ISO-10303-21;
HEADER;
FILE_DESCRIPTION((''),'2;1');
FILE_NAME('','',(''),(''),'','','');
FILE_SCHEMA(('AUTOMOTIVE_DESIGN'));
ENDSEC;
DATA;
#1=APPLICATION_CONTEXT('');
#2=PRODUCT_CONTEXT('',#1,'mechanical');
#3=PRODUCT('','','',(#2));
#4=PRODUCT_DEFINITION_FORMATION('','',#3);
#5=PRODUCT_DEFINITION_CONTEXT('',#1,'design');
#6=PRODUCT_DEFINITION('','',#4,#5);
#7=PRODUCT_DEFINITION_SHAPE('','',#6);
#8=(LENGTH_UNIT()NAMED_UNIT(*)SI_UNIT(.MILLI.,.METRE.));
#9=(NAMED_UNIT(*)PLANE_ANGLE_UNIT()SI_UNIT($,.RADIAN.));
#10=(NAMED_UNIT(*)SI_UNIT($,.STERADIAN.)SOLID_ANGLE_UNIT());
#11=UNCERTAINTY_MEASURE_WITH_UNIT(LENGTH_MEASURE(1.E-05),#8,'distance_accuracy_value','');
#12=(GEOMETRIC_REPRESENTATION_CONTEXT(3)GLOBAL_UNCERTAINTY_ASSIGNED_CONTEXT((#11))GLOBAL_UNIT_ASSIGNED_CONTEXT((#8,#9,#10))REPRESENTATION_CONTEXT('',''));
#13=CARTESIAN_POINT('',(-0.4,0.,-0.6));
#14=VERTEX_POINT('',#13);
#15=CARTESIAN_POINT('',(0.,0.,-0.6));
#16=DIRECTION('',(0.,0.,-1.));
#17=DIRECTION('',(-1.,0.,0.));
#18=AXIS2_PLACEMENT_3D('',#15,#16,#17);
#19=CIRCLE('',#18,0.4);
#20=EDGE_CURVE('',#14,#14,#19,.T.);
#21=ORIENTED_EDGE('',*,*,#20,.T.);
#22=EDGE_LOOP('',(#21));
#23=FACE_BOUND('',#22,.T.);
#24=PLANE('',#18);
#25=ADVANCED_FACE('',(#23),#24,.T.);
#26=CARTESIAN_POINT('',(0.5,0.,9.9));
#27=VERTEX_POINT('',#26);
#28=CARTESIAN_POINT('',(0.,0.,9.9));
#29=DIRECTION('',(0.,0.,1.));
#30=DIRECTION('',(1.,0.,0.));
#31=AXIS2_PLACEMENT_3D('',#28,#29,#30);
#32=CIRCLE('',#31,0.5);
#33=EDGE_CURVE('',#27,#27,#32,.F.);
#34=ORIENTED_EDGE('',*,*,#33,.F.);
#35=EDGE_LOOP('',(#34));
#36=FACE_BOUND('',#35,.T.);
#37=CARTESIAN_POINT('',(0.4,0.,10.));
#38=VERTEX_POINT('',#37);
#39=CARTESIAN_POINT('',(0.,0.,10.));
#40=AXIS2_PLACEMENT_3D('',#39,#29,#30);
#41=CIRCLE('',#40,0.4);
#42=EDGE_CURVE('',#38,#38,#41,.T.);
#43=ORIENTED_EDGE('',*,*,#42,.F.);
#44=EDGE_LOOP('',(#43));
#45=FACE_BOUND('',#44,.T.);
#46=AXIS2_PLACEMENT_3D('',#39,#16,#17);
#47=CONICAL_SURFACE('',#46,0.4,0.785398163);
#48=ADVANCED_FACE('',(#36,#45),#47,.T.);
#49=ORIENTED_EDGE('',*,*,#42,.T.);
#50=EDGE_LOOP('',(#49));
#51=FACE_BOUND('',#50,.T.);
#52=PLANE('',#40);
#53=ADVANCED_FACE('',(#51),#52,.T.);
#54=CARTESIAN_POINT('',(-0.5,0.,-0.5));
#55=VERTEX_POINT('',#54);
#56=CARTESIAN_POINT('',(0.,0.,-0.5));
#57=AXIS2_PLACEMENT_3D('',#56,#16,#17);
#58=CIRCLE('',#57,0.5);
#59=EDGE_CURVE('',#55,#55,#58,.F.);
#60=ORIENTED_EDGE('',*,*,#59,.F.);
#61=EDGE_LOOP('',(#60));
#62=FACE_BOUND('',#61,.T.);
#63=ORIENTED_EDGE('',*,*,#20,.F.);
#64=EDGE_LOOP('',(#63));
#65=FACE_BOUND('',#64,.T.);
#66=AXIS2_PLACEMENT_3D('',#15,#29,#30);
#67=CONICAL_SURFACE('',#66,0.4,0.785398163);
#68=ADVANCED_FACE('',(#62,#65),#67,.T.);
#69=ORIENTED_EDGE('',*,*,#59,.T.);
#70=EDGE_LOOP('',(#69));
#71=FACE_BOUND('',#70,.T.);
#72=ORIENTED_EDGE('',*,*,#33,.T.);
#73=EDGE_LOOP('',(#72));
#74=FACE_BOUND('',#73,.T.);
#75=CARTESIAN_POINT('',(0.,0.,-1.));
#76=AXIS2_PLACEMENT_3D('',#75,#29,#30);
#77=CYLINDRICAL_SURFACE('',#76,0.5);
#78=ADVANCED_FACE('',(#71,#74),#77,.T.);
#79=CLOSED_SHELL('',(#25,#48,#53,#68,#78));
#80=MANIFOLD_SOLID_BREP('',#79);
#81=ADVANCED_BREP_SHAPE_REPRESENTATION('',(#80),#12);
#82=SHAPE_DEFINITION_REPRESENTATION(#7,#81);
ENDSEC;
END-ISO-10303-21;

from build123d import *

# Parameters (mm, degrees)
EXTRUDE_1_DEPTH      = 10
EXTRUDE_1_DEPTH_BACK = 1
SKETCH_1_R           = 0.5
CHAMFER_1_SIZE       = 0.1
SKETCH_3_R           = 0.5
CUT_EXTRUDE_1_DEPTH  = 0.4
CHAMFER_2_SIZE       = 0.1


with BuildPart() as part:
    # 草图1 → 凸台-拉伸1 (new, two sides: drawn at the far end of the back side and taken through both)
    with BuildSketch(Plane.XY.offset(-EXTRUDE_1_DEPTH_BACK)):
        Circle(SKETCH_1_R)
    extrude(amount=EXTRUDE_1_DEPTH + EXTRUDE_1_DEPTH_BACK)

    # 倒角1
    chamfer_1_edges = [part.edges().sort_by_distance(p)[0] for p in [
        (-0.5, 0, -1),
        (-0.5, 0, 10),
    ]]
    chamfer(chamfer_1_edges, length=CHAMFER_1_SIZE)

    # 草图3 → 切除-拉伸1 (cut)
    with BuildSketch(Plane(origin=(0, 0, -1), x_dir=(-1, 0, 0), z_dir=(0, 0, -1))):
        with Locations(Location((0, 0, 0), (0, 0, 180))):
            Circle(SKETCH_3_R)
    extrude(amount=-CUT_EXTRUDE_1_DEPTH, mode=Mode.SUBTRACT)

    # 倒角2
    chamfer_2_edges = [part.edges().sort_by_distance(p)[0] for p in [
        (-0.5, 0, -0.6),
    ]]
    chamfer(chamfer_2_edges, length=CHAMFER_2_SIZE)


solid = part.part
